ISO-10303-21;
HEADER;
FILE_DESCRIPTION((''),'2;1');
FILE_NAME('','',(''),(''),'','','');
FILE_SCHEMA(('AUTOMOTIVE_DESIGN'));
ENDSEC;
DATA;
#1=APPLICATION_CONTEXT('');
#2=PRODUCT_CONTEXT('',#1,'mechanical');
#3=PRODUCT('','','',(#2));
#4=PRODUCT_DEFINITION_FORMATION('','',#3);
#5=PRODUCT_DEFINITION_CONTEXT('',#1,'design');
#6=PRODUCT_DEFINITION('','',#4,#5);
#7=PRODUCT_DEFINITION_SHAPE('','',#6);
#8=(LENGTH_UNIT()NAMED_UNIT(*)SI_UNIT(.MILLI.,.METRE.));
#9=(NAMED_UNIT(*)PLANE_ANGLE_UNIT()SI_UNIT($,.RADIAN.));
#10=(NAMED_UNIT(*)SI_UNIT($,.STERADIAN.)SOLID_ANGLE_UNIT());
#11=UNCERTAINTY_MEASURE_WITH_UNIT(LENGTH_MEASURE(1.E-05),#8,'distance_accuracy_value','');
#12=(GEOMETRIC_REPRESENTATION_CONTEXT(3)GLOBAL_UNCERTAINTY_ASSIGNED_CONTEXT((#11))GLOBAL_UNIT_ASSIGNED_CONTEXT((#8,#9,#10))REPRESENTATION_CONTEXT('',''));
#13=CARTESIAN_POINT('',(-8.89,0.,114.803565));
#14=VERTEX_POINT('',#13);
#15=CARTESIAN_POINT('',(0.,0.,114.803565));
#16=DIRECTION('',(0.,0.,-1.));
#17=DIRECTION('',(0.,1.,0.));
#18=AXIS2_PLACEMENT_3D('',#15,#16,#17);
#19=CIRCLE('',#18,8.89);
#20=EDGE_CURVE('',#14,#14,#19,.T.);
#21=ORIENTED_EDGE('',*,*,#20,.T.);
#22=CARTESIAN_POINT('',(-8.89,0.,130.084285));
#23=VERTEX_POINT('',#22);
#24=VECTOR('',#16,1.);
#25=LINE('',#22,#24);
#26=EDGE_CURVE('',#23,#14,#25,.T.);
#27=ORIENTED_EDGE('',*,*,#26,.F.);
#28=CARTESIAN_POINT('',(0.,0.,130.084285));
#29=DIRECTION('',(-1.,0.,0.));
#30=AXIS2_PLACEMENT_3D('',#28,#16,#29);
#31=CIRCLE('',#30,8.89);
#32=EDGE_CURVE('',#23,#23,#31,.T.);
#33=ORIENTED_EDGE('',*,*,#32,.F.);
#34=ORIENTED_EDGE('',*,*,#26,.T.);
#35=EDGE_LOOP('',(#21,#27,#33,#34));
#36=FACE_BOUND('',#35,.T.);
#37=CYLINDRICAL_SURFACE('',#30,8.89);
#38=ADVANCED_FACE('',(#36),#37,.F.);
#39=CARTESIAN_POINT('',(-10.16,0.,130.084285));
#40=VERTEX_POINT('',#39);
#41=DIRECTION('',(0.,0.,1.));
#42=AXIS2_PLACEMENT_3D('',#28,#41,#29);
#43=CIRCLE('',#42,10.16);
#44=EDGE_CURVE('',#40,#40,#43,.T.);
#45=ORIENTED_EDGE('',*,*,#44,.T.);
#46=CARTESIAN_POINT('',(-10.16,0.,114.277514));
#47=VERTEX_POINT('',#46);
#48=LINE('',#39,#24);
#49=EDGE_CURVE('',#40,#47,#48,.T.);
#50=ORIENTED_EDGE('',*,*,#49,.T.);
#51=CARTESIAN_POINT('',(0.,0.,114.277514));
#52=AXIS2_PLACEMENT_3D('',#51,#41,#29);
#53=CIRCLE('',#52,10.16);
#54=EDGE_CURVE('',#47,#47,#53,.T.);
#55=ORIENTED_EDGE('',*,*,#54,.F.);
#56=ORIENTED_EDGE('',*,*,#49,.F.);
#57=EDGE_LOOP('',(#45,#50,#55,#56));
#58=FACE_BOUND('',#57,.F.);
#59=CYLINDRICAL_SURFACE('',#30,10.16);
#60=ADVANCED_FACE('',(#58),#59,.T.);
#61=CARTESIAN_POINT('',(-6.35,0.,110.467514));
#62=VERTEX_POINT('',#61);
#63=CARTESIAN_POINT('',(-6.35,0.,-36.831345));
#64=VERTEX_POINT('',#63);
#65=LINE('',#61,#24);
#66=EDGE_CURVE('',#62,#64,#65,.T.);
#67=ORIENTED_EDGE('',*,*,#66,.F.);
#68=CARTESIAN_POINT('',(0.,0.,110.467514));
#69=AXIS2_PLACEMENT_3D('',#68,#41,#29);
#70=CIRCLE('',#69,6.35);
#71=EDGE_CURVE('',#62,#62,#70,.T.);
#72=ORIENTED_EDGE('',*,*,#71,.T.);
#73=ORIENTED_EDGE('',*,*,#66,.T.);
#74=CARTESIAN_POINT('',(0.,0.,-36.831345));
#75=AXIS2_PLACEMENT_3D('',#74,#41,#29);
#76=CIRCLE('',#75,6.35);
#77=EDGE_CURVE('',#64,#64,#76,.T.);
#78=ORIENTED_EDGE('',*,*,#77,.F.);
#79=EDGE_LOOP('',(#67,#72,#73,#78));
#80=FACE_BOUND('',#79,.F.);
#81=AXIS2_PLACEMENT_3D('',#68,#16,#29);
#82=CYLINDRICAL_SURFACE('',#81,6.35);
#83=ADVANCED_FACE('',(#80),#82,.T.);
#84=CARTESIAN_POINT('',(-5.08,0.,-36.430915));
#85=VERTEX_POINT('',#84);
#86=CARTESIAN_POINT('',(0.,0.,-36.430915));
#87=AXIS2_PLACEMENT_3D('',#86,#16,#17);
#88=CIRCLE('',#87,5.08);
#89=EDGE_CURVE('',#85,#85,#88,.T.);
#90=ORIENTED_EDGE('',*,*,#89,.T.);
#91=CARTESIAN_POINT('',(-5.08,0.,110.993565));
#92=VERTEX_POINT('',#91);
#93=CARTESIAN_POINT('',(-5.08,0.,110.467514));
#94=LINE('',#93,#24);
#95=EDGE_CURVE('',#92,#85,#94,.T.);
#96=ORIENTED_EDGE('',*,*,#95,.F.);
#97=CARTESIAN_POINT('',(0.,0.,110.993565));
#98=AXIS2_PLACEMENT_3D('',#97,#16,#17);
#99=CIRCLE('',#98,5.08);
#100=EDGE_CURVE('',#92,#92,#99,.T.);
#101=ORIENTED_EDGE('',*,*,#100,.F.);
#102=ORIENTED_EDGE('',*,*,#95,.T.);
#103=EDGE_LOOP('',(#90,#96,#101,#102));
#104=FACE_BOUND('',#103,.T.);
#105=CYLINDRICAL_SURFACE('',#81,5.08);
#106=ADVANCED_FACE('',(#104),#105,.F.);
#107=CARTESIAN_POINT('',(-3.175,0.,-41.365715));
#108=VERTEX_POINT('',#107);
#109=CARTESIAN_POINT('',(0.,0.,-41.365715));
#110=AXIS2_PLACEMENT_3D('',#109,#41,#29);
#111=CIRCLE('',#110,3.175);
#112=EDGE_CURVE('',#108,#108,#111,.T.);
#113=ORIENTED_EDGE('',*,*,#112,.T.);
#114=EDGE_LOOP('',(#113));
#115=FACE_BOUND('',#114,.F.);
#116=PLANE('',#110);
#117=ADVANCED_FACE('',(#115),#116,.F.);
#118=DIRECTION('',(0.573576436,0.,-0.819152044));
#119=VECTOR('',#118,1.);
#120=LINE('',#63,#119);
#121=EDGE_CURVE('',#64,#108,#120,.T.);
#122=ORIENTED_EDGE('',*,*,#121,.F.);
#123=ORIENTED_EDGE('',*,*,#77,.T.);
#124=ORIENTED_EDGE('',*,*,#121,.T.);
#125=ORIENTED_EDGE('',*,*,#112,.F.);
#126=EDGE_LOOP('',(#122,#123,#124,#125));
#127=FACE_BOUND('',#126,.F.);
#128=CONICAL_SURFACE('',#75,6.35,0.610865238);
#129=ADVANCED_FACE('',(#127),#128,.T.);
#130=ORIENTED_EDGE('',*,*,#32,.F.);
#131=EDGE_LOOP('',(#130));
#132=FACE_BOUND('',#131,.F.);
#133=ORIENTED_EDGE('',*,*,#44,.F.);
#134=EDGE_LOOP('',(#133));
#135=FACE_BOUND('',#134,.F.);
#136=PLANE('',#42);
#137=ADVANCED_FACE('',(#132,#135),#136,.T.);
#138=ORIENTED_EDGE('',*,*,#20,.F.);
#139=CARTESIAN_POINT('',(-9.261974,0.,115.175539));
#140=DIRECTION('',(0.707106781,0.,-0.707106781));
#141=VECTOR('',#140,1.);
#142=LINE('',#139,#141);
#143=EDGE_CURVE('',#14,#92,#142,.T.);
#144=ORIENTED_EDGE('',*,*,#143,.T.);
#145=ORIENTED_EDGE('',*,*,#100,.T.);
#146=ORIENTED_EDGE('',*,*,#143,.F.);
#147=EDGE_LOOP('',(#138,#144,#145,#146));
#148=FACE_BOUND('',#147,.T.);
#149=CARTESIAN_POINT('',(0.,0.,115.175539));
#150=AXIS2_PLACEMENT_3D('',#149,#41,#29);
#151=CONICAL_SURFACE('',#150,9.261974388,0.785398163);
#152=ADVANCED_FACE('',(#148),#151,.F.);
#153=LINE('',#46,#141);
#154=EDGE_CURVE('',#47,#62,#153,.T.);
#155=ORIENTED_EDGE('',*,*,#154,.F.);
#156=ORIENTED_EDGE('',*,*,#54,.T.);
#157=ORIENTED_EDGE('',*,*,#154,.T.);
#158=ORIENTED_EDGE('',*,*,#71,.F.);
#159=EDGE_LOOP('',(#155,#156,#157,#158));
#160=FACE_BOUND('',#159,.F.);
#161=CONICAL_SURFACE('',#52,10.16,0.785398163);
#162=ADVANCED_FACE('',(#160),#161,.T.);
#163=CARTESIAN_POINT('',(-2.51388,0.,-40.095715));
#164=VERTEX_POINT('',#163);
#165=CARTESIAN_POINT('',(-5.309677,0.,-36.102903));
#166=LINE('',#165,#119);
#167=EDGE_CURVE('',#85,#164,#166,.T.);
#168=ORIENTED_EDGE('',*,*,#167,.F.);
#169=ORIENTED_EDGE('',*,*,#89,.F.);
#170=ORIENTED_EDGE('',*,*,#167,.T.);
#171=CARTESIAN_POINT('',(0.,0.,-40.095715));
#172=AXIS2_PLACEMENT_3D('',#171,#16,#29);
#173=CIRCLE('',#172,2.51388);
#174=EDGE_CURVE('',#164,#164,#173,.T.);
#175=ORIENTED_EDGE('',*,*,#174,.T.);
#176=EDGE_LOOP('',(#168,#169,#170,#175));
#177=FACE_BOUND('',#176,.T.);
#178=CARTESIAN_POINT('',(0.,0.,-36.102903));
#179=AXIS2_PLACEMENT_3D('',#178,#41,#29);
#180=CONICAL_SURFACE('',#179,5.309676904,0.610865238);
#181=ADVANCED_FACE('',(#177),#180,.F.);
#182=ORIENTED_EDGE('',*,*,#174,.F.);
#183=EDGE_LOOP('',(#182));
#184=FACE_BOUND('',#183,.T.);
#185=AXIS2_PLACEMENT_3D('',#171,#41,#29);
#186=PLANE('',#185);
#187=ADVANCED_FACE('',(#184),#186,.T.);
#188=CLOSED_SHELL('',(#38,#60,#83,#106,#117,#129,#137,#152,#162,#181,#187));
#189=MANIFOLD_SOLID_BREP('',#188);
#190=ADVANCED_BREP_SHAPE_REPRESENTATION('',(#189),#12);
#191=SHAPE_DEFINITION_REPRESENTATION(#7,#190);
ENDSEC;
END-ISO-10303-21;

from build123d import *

# Parameters (mm, degrees)
F2_T = -1.27


with BuildPart() as f1:
    # F0 (on Front) → F1 (revolve)
    with BuildSketch(Plane.XZ):
        Polygon((-3.175, -41.3657145261), (0, -41.3657145261), (0, 111.0342854739), (0, 130.0842854739), (-10.16, 130.0842854739), (-10.16, 114.2775136591), (-6.35, 110.4675136591), (-6.35, -36.8313446047), align=None)
    revolve(axis=Axis((0, 0, 34.8342854739), (0, 0, 1)))

    # F2
    f2_openings = [f1.faces().sort_by_distance(p)[0] for p in [
        (0, 0, 130.084285),
    ]]
    offset(amount=F2_T, openings=f2_openings, kind=Kind.INTERSECTION)


solid = f1.part
